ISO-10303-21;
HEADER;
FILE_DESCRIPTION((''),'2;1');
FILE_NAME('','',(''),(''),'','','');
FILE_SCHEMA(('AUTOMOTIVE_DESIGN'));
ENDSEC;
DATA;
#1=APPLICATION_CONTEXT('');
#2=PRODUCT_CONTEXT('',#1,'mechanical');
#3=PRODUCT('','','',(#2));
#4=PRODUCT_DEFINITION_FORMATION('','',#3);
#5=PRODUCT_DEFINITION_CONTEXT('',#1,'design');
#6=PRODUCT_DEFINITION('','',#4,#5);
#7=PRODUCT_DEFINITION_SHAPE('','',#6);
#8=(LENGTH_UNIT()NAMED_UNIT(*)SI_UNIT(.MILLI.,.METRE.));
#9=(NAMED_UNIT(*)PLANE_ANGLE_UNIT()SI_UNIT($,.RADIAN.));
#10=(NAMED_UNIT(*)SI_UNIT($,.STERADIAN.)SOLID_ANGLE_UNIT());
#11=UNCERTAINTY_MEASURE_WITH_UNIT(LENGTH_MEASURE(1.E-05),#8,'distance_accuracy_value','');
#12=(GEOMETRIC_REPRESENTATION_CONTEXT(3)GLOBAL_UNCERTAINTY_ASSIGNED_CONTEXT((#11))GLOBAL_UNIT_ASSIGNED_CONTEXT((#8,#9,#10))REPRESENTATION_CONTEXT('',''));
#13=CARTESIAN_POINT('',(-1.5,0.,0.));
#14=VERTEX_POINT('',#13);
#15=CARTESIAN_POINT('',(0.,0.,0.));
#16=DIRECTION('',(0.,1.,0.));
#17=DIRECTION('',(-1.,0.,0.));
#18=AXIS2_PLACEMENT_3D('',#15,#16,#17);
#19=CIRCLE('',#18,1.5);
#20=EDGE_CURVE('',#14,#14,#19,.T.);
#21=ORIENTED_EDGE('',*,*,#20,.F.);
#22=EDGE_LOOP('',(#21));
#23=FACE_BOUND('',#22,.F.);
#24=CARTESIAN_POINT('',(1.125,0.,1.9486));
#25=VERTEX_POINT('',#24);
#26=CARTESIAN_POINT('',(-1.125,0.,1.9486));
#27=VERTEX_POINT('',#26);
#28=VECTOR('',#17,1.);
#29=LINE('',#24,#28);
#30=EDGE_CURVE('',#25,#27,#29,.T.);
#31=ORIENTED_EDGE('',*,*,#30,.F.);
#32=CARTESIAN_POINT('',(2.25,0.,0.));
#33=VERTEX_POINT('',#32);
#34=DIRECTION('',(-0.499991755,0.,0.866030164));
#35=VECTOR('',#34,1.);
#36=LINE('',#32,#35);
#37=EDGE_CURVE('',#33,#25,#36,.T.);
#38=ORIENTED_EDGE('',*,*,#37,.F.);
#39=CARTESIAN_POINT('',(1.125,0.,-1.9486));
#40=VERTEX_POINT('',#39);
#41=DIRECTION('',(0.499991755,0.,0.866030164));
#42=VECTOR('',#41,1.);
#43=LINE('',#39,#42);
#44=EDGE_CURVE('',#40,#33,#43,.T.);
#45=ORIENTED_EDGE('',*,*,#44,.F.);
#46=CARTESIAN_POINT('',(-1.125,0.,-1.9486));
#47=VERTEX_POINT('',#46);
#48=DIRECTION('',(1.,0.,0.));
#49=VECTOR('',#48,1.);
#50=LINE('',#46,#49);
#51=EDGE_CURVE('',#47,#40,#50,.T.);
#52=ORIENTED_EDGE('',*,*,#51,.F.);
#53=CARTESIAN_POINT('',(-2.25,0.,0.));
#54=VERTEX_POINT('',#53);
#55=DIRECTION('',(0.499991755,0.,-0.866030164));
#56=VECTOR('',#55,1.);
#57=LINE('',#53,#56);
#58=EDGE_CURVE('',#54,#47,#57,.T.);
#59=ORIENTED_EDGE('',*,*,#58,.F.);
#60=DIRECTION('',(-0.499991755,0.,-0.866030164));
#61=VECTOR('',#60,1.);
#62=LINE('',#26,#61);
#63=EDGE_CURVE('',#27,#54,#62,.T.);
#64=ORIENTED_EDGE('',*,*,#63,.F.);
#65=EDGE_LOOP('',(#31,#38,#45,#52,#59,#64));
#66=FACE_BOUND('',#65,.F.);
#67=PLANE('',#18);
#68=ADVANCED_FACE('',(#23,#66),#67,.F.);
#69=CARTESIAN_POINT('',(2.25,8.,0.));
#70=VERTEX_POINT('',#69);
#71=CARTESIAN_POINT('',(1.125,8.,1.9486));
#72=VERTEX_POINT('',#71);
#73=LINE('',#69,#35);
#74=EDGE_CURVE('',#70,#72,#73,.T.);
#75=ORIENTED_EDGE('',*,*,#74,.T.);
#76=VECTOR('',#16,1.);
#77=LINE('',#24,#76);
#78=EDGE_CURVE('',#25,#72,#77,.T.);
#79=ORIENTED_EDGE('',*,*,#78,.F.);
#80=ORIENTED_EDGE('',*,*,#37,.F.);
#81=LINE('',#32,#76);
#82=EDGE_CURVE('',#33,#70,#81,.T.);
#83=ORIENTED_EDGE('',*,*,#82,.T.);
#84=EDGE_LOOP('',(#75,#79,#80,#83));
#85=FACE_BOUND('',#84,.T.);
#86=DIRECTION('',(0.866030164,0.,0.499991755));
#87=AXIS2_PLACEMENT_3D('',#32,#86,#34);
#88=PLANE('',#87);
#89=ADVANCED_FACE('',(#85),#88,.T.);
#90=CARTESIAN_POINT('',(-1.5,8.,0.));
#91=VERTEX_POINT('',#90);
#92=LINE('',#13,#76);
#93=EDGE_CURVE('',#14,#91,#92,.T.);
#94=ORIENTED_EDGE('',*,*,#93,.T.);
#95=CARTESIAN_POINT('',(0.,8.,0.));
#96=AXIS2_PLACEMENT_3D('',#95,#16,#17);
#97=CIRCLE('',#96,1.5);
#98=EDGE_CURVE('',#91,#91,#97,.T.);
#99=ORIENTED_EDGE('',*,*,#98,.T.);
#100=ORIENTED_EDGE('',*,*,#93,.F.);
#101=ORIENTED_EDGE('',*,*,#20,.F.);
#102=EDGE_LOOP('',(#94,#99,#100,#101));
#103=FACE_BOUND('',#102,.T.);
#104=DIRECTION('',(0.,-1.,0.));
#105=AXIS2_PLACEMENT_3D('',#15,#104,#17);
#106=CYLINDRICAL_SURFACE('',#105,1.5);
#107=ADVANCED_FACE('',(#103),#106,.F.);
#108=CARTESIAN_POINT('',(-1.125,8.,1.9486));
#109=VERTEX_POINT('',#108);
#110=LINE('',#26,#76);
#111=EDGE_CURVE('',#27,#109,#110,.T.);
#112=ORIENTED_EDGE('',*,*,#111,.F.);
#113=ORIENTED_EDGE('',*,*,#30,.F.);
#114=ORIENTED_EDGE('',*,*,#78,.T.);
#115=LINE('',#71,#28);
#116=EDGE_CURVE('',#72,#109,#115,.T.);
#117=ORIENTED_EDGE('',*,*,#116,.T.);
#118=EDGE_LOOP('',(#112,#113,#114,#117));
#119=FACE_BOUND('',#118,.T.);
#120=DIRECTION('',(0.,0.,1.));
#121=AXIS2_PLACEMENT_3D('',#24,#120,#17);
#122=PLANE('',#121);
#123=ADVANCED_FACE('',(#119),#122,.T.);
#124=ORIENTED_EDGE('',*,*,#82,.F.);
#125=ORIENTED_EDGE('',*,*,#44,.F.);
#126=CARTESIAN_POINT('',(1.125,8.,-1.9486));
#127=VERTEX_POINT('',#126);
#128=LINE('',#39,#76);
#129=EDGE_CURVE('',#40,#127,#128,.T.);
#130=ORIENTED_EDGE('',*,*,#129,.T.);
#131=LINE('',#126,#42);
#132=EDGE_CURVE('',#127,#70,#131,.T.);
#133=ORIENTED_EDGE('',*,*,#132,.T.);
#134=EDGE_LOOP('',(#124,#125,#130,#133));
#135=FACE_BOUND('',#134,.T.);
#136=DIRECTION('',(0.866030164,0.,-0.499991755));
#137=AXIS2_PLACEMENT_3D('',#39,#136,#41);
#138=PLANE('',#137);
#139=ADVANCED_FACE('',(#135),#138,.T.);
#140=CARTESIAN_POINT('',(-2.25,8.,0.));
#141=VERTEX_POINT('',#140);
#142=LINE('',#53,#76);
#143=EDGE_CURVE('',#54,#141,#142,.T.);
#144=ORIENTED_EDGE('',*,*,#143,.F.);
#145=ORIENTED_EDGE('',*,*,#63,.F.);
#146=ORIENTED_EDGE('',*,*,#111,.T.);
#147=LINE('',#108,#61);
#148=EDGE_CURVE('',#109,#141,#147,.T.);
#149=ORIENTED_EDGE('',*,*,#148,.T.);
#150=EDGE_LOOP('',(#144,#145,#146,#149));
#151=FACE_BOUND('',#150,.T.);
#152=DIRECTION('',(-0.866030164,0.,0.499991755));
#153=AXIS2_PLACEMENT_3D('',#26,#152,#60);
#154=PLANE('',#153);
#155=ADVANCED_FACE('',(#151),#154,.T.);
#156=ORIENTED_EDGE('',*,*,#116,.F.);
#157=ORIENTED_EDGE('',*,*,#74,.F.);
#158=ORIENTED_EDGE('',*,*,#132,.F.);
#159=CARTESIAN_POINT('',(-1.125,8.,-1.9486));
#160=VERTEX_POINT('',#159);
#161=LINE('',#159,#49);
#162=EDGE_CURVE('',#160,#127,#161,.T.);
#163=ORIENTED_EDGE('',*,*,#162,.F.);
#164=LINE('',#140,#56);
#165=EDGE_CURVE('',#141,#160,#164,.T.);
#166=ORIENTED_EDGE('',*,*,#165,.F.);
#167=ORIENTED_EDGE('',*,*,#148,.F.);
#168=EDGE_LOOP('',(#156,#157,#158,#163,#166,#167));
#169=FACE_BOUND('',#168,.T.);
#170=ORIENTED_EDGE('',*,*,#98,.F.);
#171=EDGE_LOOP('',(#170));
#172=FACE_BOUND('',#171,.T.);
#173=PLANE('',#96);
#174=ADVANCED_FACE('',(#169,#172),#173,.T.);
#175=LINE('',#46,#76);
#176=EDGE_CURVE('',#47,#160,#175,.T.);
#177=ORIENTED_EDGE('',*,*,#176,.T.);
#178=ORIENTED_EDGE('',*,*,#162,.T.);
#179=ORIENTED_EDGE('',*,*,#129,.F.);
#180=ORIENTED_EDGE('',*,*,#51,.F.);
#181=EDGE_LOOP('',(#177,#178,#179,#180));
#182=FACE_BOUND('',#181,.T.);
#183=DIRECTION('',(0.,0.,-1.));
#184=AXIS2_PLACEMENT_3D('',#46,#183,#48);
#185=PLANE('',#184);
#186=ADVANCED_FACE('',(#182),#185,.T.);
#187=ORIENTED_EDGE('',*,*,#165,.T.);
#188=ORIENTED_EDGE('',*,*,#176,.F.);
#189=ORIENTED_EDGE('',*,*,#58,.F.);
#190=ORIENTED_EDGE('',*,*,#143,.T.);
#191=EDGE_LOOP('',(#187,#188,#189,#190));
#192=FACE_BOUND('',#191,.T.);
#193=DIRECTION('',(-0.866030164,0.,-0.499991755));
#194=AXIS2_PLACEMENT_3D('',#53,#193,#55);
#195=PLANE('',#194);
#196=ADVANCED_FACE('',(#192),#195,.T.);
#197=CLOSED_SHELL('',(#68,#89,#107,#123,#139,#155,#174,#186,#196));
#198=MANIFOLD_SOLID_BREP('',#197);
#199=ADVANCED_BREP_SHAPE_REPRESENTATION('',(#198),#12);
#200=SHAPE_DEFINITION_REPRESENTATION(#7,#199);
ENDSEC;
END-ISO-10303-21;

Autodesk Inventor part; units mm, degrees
ref_plane "YZ Plane" through (0, 0, 0) normal (1, 0, 0) x (0, 1, 0)
ref_plane "XZ Plane" through (0, 0, 0) normal (0, 1, 0) x (-1, 0, 0)
ref_plane "XY Plane" through (0, 0, 0) normal (0, 0, 1) x (1, 0, 0)
sketch "Sketch1" plane through (0, 0, 0) normal (0, 1, 0) x (-1, 0, 0)
  circle A0 centre (0, 0) radius 1.5
  circle A1 centre (0, 0) radius 2.25 construction
  line L0 (2.25, 0) -> (1.125, -1.9486)
  line L1 (1.125, -1.9486) -> (-1.125, -1.9486)
  line L2 (-1.125, -1.9486) -> (-2.25, 0)
  line L3 (-2.25, 0) -> (-1.125, 1.9486)
  line L4 (-1.125, 1.9486) -> (1.125, 1.9486)
  line L5 (1.125, 1.9486) -> (2.25, 0)
  dimension "d1" = 4.5
  dimension "d0" = 3
extrude "Extrusion1" add sketch "Sketch1" along normal blind 8
properties part number "7mmStandoff"
